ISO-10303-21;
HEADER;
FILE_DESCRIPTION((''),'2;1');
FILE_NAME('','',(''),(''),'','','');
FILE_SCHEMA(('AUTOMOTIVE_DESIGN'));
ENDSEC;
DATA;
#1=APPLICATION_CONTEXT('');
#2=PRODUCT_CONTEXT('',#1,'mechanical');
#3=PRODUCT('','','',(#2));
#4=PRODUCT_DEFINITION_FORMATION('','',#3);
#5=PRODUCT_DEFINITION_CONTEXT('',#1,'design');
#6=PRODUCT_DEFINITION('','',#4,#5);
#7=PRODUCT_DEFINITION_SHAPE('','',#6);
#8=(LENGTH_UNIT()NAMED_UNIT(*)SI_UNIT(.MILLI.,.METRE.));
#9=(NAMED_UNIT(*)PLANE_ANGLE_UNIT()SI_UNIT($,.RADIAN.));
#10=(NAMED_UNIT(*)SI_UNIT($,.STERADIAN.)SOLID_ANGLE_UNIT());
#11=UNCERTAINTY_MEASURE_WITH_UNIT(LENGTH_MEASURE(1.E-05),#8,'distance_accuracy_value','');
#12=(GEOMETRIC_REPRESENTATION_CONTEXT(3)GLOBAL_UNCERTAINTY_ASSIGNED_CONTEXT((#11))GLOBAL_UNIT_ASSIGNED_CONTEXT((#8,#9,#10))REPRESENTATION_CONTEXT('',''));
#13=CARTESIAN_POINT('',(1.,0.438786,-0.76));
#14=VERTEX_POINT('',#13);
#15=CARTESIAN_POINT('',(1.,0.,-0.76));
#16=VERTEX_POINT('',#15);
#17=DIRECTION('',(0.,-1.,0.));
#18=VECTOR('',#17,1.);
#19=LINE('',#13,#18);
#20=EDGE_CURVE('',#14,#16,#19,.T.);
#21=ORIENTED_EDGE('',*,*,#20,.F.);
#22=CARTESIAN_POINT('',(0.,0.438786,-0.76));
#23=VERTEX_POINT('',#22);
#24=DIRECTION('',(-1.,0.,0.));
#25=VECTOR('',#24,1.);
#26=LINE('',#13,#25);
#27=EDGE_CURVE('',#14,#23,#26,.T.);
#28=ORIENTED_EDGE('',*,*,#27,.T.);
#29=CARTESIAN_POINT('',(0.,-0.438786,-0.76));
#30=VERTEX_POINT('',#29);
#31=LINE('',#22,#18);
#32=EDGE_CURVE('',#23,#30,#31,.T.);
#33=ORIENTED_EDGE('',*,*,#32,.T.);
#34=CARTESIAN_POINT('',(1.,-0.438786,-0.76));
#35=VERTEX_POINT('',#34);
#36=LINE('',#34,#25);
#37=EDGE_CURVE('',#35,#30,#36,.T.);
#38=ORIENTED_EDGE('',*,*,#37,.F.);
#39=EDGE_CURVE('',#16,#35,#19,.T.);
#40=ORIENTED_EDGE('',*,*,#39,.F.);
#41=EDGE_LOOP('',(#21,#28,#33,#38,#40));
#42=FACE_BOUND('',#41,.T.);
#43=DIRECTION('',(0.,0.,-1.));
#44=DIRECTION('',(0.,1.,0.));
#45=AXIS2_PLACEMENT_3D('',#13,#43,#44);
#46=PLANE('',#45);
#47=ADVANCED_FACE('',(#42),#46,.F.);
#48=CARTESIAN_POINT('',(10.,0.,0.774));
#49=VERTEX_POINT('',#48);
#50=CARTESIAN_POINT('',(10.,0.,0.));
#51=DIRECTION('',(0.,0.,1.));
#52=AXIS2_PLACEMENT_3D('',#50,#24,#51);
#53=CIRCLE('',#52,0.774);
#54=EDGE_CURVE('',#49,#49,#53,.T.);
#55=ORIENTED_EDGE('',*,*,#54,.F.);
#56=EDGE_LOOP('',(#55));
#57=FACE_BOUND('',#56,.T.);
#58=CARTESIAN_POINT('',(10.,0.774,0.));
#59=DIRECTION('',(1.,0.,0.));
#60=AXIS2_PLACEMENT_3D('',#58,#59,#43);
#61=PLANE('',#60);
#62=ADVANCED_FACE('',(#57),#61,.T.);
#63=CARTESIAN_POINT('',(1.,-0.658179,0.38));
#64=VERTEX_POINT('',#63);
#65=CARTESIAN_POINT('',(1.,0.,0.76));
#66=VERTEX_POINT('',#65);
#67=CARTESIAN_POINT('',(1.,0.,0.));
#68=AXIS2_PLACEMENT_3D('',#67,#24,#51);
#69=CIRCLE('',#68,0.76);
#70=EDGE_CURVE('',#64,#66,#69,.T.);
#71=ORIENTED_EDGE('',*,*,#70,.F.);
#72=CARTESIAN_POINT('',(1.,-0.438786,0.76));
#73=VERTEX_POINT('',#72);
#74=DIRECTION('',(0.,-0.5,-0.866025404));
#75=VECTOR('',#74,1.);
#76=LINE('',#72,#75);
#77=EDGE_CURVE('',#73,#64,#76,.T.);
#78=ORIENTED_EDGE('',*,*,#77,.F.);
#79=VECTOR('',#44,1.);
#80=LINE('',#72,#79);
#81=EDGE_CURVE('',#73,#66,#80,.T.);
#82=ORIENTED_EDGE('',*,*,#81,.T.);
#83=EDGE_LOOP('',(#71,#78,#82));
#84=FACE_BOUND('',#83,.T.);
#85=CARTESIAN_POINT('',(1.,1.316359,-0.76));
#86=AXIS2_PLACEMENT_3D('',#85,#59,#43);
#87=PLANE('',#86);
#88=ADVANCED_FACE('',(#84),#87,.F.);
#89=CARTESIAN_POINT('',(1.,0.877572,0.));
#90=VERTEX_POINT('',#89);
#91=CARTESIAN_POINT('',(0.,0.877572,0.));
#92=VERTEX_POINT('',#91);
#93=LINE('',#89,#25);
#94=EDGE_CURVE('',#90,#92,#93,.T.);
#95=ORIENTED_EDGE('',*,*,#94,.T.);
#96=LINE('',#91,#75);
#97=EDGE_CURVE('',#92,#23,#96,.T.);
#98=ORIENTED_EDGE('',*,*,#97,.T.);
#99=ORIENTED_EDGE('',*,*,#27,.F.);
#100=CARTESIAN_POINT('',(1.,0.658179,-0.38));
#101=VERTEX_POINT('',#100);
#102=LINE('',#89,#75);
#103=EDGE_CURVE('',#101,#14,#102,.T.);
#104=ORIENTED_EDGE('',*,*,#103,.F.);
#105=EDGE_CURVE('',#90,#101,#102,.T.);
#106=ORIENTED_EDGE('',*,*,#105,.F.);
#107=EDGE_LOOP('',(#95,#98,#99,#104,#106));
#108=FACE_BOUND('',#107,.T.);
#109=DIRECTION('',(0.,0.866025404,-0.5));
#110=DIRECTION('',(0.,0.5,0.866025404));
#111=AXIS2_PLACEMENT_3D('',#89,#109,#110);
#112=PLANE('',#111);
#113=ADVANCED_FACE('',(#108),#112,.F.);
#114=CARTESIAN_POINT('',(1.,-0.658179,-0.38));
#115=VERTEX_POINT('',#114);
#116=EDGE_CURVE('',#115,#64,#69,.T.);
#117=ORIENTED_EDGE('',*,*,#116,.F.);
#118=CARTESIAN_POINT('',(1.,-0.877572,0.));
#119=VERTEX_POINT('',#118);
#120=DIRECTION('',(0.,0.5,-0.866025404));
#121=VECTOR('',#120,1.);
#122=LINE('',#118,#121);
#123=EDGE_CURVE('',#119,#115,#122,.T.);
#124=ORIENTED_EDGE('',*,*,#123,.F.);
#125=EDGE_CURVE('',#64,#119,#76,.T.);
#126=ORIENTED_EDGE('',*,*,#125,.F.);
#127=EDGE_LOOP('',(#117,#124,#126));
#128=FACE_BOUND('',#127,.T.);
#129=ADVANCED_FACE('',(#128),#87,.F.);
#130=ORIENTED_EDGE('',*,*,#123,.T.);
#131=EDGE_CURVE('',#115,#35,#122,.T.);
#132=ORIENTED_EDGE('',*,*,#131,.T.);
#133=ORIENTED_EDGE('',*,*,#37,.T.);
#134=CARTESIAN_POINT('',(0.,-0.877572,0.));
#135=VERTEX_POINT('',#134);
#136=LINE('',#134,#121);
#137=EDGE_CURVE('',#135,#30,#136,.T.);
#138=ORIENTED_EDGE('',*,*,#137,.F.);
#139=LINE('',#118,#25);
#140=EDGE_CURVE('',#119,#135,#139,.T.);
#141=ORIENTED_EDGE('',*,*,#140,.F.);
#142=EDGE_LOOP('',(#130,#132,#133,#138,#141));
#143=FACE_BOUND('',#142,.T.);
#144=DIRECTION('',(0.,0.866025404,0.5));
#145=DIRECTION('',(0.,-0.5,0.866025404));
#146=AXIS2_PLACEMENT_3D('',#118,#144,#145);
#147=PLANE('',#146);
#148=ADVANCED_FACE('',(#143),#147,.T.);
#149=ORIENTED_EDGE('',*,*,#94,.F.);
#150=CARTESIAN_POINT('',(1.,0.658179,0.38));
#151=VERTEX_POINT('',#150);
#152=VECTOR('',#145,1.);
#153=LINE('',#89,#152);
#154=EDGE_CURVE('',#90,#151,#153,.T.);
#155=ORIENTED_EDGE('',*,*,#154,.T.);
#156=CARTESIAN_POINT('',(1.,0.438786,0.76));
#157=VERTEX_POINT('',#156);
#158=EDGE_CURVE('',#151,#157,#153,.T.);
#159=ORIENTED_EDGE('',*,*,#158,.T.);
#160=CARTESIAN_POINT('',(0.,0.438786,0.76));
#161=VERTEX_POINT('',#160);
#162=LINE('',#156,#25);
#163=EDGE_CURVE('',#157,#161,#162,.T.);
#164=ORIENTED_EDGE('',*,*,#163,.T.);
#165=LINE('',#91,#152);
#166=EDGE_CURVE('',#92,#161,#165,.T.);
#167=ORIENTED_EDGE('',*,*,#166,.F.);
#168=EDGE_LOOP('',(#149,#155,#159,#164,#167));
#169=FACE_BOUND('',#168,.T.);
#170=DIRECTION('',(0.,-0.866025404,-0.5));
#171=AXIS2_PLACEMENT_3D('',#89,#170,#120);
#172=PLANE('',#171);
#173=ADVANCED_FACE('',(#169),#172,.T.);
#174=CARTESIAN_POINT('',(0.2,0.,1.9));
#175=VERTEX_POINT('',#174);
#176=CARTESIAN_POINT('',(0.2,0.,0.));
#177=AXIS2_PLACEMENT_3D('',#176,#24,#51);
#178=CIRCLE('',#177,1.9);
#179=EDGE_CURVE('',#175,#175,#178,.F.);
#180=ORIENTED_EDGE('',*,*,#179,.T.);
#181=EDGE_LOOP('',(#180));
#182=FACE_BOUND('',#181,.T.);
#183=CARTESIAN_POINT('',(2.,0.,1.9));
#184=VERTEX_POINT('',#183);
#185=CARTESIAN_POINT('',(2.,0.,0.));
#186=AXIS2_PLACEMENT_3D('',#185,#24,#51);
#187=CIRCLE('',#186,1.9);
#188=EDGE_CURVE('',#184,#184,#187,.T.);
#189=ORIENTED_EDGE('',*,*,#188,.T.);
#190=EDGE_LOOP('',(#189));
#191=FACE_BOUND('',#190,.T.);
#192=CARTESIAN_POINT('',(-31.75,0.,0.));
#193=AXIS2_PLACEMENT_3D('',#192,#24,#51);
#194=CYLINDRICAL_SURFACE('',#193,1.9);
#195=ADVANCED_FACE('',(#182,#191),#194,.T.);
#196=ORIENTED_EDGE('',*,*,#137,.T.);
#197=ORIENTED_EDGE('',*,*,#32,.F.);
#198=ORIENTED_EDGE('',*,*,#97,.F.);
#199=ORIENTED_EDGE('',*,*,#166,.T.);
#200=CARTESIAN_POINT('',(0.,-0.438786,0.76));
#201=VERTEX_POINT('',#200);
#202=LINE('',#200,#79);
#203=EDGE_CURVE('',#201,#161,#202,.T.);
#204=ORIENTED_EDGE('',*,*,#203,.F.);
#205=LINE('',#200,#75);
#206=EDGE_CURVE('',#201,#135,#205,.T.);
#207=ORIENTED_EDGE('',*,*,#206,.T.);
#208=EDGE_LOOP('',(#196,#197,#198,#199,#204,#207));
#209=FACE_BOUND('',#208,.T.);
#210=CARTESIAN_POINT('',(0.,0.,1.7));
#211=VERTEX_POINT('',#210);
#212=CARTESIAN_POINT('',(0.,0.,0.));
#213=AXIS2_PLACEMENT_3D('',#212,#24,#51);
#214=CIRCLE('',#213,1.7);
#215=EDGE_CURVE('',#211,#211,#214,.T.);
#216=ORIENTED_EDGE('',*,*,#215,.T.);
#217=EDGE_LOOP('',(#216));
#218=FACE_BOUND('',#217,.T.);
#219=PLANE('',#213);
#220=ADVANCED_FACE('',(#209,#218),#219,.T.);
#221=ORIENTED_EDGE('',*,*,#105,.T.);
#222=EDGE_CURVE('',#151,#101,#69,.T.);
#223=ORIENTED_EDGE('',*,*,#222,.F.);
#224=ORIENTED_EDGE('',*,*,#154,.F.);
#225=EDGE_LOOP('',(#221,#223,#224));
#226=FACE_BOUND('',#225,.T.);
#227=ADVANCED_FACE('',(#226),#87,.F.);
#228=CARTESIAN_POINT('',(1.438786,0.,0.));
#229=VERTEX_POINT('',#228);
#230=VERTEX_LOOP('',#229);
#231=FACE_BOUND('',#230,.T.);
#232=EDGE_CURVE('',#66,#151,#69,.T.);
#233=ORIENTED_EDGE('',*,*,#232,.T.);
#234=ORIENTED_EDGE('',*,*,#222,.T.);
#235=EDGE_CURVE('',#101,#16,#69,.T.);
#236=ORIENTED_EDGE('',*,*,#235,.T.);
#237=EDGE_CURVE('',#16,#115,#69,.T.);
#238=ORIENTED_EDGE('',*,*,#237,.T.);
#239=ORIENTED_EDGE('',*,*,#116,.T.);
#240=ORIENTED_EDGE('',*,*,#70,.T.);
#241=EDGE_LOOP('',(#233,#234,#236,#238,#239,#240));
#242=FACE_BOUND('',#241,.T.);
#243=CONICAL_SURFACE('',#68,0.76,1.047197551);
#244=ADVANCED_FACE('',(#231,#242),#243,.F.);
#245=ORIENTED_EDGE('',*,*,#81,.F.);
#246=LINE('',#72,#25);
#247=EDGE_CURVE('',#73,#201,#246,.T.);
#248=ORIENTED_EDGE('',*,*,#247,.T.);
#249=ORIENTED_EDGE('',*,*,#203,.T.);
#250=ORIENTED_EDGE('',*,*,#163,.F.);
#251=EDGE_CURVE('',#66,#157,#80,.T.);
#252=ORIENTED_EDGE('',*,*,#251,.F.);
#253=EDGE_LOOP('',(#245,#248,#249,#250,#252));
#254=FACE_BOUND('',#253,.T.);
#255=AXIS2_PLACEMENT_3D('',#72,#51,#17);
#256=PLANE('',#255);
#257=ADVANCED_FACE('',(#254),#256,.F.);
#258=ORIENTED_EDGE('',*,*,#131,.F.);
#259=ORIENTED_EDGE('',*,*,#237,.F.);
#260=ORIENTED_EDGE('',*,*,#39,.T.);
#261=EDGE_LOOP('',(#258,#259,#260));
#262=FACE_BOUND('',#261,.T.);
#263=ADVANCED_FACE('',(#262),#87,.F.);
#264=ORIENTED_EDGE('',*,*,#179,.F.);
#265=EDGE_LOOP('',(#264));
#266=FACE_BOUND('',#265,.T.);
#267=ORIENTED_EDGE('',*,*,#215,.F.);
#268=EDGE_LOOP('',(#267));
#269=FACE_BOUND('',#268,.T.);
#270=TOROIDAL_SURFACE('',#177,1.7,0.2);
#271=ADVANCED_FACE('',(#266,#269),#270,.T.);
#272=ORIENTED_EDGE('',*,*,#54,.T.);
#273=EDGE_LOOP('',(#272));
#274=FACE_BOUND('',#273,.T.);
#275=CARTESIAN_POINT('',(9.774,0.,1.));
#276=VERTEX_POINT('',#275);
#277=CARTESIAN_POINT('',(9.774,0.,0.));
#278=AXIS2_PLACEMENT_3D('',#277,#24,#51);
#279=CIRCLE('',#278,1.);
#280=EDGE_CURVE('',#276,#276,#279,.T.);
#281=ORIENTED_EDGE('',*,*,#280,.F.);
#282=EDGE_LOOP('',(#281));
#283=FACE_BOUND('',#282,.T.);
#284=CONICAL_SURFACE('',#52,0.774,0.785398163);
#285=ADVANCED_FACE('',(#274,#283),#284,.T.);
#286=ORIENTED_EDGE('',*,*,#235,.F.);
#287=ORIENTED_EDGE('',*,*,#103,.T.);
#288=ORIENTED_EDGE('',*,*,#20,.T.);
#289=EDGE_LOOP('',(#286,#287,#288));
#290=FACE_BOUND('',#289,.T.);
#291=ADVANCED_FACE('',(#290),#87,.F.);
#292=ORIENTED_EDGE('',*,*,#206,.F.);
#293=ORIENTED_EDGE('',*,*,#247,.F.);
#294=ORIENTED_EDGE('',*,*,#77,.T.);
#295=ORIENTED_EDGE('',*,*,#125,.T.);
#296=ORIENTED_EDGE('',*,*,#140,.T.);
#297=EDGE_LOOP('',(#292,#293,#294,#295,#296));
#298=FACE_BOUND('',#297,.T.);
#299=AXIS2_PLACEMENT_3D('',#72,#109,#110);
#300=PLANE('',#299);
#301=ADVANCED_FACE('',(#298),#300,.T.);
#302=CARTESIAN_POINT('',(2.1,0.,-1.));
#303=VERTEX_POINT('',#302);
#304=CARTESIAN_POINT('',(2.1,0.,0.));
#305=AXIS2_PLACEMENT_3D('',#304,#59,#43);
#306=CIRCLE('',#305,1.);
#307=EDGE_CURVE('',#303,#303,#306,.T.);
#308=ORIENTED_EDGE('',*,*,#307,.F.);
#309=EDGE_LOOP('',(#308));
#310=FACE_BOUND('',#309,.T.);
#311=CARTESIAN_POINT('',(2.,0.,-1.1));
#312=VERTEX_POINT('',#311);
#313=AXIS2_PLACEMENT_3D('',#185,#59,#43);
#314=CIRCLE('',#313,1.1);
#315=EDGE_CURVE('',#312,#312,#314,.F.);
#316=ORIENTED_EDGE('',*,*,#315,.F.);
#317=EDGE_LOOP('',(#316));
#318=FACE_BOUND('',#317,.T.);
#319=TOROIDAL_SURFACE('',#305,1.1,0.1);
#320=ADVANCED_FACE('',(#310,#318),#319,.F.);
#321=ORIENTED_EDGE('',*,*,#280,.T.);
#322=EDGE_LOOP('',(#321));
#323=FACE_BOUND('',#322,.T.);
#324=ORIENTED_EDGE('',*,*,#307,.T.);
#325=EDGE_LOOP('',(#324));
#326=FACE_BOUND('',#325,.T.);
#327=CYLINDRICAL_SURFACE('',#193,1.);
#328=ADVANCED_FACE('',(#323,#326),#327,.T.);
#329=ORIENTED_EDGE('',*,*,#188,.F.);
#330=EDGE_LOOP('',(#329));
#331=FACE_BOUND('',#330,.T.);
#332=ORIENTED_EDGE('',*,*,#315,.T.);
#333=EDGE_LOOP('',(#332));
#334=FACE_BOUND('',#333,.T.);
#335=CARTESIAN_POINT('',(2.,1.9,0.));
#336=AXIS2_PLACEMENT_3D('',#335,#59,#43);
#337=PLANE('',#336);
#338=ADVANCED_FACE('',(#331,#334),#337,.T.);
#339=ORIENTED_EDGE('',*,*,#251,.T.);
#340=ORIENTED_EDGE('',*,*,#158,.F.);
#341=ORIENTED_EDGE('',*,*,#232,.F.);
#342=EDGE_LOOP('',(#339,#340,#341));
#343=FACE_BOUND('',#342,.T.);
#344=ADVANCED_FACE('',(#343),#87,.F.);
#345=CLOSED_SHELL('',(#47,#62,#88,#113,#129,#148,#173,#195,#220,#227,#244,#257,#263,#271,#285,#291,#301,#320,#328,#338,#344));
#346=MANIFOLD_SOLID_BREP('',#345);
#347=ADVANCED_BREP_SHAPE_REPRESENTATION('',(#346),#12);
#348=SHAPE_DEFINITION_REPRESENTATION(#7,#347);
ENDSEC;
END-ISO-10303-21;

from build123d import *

# Parameters (mm, degrees)
FILLET1_R   = 0.1
FILLET2_R   = 0.2
HEX_2_DEPTH = 1


with BuildPart() as part:
    # BodySke → Base-Revolve (revolve)
    with BuildSketch(Plane.XY):
        Polygon((0, 0), (0, 1.9), (2, 1.9), (2, 1), (9.774, 1), (10, 0.774), (10, 0), align=None)
    revolve(axis=Axis((-31.75, 0, 0), (1, 0, 0)))

    # Fillet1
    fillet1_edges = [part.edges().sort_by_distance(p)[0] for p in [
        (2, -1, 0),
    ]]
    fillet(fillet1_edges, radius=FILLET1_R)

    # Fillet2
    fillet2_edges = [part.edges().sort_by_distance(p)[0] for p in [
        (0, -1.9, 0),
    ]]
    fillet(fillet2_edges, radius=FILLET2_R)

    # Sketch2 → Hex-PreBroach (revolve, cut)
    with BuildSketch(Plane.XY):
        Polygon((0, 0.76), (1, 0.76), (1.438786205, 0), (0, 0), align=None)
    revolve(axis=Axis((0, 0, 0), (1, 0, 0)), mode=Mode.SUBTRACT)

    # Sketch3 → Hex 2 (cut)
    with BuildSketch(Plane(origin=(0, 0, 0), x_dir=(0, 0.5, 0.866025404), z_dir=(-1, 0, 0))):
        Polygon((0.438786205, 0.76), (-0.438786205, 0.76), (-0.877572409, 0), (-0.438786205, -0.76), (0.438786205, -0.76), (0.877572409, 0), align=None)
    extrude(amount=-HEX_2_DEPTH, mode=Mode.SUBTRACT)


solid = part.part
